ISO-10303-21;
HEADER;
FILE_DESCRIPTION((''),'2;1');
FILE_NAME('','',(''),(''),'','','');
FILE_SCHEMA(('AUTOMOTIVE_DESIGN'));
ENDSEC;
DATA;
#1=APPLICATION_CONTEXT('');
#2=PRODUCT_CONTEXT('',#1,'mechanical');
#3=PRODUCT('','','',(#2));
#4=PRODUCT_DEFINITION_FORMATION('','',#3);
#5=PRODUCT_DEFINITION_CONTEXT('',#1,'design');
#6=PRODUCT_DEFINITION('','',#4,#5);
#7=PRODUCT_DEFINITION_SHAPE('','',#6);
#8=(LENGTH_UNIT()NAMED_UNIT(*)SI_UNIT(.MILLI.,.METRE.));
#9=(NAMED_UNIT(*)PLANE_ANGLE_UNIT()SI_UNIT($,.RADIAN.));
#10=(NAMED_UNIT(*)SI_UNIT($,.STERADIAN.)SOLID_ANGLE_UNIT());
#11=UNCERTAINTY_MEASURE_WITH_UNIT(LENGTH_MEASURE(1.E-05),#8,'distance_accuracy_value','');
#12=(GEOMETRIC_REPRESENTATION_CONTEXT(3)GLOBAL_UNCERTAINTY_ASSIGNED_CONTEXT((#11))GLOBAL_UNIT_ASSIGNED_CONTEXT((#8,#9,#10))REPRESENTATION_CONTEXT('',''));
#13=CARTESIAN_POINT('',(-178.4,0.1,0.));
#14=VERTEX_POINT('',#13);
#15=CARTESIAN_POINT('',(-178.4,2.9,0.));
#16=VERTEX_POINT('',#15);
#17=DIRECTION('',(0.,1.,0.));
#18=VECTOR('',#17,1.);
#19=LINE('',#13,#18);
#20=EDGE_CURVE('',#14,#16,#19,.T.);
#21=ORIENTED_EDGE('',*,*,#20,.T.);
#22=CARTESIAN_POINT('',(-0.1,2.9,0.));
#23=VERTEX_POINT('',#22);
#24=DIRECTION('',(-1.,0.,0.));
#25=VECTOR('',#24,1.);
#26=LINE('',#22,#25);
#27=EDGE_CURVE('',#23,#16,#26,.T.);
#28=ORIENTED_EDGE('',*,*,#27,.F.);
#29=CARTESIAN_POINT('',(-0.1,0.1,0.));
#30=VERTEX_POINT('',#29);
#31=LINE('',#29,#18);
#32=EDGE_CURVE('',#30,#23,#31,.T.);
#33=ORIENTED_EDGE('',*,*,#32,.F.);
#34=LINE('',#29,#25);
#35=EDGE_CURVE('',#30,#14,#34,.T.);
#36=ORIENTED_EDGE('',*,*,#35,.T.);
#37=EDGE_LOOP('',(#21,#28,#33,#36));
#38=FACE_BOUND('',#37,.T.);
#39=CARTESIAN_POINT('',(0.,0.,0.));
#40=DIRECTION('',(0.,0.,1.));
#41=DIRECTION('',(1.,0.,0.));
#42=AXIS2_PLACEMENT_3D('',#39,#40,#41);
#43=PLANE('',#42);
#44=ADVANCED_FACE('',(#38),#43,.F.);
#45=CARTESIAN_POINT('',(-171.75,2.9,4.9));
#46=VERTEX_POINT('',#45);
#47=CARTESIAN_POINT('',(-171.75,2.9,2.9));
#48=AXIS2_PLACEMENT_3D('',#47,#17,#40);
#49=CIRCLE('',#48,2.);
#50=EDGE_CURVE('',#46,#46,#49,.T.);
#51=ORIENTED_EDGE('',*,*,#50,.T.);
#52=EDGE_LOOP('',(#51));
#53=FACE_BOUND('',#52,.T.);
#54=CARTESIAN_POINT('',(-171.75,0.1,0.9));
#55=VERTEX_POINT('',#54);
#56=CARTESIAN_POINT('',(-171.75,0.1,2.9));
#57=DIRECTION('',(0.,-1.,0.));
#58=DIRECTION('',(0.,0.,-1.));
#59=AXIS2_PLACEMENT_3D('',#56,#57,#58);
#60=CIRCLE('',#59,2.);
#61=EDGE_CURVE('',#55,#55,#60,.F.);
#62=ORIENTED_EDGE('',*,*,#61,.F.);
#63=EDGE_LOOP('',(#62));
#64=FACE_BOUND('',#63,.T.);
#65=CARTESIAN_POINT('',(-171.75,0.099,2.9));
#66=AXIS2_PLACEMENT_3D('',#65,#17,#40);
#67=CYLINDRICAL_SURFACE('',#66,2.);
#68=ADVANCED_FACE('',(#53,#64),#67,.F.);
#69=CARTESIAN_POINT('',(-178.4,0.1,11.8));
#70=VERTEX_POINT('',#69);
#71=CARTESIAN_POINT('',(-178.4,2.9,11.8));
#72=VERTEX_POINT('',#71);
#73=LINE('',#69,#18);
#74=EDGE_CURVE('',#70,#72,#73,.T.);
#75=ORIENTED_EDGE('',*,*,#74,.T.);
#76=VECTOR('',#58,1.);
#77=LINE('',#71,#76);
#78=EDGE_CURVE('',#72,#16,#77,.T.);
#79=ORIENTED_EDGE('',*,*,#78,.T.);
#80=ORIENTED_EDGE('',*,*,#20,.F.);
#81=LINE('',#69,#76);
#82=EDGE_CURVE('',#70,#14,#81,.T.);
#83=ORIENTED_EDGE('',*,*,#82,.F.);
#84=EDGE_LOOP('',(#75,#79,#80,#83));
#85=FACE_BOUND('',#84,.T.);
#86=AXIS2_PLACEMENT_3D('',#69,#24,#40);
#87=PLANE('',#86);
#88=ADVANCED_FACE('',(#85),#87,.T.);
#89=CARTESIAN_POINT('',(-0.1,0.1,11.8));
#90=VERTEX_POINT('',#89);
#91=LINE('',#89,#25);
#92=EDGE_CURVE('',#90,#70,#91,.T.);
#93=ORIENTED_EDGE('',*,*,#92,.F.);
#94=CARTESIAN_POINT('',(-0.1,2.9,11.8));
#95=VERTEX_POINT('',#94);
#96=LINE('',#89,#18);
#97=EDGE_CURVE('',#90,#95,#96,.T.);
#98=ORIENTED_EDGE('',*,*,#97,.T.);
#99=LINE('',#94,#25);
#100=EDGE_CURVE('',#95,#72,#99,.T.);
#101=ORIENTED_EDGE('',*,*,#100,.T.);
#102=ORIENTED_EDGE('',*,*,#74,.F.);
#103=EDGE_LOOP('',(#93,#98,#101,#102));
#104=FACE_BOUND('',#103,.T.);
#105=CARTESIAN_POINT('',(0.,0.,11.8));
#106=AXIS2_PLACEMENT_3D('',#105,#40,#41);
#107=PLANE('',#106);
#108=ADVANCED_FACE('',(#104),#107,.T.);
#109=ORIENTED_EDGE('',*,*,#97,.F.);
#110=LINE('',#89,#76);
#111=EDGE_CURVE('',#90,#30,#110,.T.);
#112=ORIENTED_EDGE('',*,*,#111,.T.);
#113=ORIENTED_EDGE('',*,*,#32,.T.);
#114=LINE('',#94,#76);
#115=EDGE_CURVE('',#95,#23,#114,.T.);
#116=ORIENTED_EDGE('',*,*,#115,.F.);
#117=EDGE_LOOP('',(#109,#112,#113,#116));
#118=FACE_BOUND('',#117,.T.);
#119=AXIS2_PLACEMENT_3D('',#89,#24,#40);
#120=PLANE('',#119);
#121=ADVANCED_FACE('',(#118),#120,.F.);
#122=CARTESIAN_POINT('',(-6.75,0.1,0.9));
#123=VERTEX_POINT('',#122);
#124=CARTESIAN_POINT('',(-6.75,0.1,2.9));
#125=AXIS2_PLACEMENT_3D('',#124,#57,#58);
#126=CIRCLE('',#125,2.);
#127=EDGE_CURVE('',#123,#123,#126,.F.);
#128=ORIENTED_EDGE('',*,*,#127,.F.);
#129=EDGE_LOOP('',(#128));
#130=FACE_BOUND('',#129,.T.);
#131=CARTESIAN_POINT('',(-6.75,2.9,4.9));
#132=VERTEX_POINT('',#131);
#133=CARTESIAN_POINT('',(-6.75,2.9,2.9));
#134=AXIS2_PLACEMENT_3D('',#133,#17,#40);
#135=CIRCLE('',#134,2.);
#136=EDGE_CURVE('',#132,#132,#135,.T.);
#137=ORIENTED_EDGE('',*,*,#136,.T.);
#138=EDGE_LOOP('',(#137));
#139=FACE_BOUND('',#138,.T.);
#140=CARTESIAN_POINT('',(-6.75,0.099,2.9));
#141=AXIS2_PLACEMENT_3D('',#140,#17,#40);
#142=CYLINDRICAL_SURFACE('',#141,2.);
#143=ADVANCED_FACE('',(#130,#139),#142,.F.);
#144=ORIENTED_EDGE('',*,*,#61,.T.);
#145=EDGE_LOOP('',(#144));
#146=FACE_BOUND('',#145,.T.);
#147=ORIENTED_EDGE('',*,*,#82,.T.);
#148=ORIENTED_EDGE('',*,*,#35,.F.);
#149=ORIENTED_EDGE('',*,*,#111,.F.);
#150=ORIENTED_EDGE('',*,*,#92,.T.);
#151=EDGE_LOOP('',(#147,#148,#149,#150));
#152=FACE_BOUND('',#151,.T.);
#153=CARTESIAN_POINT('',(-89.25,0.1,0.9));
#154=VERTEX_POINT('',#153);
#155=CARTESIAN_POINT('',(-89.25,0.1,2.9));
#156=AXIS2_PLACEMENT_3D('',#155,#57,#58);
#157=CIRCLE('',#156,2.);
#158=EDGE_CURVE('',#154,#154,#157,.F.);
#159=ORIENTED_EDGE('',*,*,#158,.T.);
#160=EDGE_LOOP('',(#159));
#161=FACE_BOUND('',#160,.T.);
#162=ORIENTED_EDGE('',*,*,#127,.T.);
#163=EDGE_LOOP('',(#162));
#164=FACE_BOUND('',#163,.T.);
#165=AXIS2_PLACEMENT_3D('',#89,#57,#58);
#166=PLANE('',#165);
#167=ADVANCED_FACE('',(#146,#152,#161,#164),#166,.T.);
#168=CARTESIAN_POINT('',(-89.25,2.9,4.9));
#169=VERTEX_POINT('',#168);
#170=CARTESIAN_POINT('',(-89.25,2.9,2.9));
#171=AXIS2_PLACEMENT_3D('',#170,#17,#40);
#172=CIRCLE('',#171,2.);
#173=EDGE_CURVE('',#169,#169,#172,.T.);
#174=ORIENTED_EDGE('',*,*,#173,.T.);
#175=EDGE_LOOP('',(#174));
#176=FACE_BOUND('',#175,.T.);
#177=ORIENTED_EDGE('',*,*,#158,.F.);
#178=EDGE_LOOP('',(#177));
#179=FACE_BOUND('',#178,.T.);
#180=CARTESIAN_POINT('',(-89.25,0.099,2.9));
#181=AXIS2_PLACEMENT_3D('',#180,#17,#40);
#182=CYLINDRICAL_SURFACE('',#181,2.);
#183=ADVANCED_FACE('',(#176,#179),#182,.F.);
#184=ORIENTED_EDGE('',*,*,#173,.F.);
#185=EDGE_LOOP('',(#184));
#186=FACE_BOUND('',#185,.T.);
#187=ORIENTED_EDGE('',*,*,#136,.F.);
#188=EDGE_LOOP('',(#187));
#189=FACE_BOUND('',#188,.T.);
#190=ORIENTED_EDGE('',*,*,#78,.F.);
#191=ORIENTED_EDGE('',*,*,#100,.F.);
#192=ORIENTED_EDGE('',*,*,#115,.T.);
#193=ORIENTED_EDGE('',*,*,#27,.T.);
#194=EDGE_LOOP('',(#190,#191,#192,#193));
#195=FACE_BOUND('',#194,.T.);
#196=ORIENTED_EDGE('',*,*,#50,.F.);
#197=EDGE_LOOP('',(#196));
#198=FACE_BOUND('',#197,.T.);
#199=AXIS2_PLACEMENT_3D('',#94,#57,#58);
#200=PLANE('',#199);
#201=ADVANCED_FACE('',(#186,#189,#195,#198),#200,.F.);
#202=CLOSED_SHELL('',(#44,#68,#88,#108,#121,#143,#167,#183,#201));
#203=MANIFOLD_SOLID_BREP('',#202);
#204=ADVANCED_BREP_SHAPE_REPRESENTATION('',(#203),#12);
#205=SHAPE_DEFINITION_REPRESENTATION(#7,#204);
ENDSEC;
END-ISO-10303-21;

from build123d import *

# Parameters (mm, degrees)
SKETCH1_W           = 2.8
SKETCH1_H           = 178.3
BOSS_EXTRUDE1_DEPTH = 11.8
CUT_EXTRUDE1_REACH  = 180.812
SKETCH2_R           = 2
LPATTERN1_COUNT     = 3
LPATTERN1_PITCH     = 82.5


with BuildPart() as part:
    # Sketch1 → Boss-Extrude1 (new body)
    with BuildSketch(Plane(origin=(0, 0, 0), x_dir=(0, 1, 0), z_dir=(0, 0, 1))):
        with Locations((1.5, 89.25)):
            Rectangle(SKETCH1_W, SKETCH1_H)
    extrude(amount=BOSS_EXTRUDE1_DEPTH)

    # Sketch2 → Cut-Extrude1 (cut, up to next)
    with BuildSketch(Plane(origin=(0, 2.9, 0), x_dir=(-1, 0, 0), z_dir=(0, 1, 0)), mode=Mode.PRIVATE) as cut_extrude1_sk1:
        with Locations(Location((171.75, 2.9, 0), (0, 0, 90))):
            Circle(SKETCH2_R)
    cut_extrude1_tool1 = extrude(cut_extrude1_sk1.sketch, amount=-CUT_EXTRUDE1_REACH, mode=Mode.PRIVATE) & part.part
    cut_extrude1 = cut_extrude1_tool1.solids().sort_by_distance((-171.75, 2.9, 2.9))[0]
    add(cut_extrude1, mode=Mode.SUBTRACT)

    # LPattern1: Cut-Extrude1 ×3
    with Locations(*[(i * LPATTERN1_PITCH, 0, 0) for i in range(1, LPATTERN1_COUNT)]):
        add(cut_extrude1, mode=Mode.SUBTRACT)


solid = part.part
